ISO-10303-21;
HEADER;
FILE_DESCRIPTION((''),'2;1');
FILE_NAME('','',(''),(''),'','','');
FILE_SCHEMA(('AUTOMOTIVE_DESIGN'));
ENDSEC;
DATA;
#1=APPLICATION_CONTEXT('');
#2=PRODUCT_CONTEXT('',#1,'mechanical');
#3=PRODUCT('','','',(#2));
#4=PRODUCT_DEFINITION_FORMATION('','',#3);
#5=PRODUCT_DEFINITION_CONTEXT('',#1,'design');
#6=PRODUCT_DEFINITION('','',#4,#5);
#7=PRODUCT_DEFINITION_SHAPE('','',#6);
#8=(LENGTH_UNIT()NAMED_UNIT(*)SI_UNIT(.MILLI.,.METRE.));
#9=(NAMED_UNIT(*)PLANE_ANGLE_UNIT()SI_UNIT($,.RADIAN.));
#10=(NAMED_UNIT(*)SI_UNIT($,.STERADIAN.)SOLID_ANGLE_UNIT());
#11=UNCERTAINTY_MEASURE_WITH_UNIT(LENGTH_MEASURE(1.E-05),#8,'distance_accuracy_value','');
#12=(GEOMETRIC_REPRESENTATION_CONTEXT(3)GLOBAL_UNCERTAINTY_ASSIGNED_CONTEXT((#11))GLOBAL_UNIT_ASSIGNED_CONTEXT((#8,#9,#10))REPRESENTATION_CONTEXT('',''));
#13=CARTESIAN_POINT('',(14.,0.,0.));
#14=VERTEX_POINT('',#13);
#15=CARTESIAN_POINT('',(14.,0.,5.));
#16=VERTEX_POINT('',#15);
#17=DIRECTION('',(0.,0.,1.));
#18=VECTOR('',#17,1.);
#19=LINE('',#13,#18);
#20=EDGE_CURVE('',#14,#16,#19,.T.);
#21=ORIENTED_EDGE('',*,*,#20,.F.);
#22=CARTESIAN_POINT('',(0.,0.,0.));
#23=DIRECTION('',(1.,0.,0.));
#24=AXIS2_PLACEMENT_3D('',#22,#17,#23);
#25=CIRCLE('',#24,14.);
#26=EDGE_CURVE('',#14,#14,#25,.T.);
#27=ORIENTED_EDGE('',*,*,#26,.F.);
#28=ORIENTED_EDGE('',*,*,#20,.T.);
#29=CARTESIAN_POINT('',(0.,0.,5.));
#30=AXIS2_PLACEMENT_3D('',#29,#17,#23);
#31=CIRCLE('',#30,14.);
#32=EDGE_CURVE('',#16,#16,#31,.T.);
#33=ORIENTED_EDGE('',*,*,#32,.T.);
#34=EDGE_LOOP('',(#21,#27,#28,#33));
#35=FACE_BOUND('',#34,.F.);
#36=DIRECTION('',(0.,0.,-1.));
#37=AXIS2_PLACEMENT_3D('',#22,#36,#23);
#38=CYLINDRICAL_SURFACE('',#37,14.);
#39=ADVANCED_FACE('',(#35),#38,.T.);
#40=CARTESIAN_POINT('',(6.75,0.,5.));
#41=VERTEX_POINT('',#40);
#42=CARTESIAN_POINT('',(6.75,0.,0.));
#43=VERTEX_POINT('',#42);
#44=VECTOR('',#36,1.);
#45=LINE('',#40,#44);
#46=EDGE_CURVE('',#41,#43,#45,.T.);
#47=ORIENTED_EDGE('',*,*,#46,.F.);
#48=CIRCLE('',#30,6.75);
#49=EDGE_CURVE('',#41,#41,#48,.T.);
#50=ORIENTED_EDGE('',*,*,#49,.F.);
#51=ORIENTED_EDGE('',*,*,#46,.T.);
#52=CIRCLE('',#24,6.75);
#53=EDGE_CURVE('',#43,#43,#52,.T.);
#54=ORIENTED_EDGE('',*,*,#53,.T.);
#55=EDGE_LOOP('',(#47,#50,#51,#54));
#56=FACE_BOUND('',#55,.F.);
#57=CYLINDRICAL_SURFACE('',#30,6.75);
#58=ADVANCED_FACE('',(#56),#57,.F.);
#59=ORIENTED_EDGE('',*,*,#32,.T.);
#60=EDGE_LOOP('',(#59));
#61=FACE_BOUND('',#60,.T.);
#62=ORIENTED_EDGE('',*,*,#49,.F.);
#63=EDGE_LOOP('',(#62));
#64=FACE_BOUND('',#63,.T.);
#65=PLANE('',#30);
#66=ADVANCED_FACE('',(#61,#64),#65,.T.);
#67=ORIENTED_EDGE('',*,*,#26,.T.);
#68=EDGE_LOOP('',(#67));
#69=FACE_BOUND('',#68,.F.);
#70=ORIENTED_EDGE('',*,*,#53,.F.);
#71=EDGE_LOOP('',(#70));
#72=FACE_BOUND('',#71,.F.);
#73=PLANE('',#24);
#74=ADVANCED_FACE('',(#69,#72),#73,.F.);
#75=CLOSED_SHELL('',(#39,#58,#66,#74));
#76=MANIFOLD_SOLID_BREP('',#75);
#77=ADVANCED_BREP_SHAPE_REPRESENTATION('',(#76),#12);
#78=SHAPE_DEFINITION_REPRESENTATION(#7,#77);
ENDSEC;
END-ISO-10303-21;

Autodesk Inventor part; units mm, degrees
ref_plane "YZ Plane" through (0, 0, 0) normal (1, 0, 0) x (0, 1, 0)
ref_plane "XZ Plane" through (0, 0, 0) normal (0, 1, 0) x (-1, 0, 0)
ref_plane "XY Plane" through (0, 0, 0) normal (0, 0, 1) x (1, 0, 0)
sketch "Boceto1" plane through (0, 0, 0) normal (0, 0, 1) x (1, 0, 0)
  circle A0 centre (0, 0) radius 14
  dimension "d0" = 28
extrude "Extrusión1" add sketch "Boceto1" along normal blind 5
sketch "Boceto2" plane through (0, 0, 5) normal (0, 0, 1) x (1, 0, 0)
  circle A0 centre (0, 0) radius 6.75
  dimension "d3" = 13.5
extrude "Extrusión2" cut sketch "Boceto2" against normal blind 5
properties part number "rodamiento"
